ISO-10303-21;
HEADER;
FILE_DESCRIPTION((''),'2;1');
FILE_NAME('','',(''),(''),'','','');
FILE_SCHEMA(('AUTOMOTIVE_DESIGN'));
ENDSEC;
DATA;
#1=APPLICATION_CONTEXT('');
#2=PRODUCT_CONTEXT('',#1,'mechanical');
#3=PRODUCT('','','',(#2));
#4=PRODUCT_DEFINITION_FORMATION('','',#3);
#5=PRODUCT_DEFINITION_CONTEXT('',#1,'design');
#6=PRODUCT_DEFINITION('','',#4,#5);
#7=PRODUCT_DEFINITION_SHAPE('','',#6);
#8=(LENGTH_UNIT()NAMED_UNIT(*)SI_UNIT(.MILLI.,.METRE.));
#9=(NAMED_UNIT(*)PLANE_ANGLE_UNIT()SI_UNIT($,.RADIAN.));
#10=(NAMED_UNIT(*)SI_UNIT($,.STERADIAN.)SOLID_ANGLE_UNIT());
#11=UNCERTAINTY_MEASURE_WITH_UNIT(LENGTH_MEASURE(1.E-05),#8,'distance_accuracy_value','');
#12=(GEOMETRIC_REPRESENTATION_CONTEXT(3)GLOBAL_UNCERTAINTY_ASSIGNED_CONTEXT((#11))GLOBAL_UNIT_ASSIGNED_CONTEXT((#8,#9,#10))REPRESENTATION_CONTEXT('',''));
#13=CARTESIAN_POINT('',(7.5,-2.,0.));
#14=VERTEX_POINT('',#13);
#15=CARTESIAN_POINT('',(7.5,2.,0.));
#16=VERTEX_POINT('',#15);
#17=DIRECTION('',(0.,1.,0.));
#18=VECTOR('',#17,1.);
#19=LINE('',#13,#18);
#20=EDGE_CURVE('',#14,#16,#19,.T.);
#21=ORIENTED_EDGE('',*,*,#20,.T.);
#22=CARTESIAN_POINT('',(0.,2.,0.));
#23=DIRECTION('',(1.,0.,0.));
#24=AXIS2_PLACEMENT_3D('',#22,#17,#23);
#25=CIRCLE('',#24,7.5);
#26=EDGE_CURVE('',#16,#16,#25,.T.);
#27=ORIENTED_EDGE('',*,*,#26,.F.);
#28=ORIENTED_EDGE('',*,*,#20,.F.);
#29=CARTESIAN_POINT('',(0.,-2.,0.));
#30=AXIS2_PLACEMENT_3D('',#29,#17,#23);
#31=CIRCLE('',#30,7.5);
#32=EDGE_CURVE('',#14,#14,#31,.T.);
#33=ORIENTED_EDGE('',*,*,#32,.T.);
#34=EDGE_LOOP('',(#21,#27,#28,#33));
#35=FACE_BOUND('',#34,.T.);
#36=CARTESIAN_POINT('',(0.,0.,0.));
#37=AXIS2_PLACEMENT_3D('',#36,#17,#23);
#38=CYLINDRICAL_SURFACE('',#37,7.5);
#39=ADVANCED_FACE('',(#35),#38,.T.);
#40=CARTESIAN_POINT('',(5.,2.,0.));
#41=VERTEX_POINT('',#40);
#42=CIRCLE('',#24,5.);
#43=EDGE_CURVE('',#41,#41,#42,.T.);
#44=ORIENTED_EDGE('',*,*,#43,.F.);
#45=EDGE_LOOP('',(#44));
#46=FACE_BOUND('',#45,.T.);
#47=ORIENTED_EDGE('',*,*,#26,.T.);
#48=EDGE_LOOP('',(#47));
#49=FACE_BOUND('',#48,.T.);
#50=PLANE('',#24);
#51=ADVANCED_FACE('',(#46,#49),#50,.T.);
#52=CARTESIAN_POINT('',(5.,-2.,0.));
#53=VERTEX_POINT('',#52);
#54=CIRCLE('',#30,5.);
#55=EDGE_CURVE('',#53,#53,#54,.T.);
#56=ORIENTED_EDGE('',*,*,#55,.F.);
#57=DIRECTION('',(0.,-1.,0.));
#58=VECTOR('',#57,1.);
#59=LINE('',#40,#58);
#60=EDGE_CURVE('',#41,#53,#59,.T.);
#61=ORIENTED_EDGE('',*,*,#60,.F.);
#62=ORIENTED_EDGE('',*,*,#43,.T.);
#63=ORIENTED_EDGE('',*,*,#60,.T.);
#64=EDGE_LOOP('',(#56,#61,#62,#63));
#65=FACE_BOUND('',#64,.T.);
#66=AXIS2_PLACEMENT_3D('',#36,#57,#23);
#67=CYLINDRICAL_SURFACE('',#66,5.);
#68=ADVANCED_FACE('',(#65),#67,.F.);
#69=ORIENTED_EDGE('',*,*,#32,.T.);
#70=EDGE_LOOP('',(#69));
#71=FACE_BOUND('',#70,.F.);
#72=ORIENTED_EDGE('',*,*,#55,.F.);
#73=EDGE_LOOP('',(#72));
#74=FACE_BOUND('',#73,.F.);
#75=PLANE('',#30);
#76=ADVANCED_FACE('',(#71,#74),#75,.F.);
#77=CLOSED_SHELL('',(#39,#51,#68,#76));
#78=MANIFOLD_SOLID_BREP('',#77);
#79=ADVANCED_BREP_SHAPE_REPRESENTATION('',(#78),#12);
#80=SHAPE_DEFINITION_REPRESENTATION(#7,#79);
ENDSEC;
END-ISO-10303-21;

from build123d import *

# Parameters (mm, degrees)
SKETCH1_R           = 7.5
SKETCH1_R_2         = 5
BOSS_EXTRUDE1_DEPTH = 2


with BuildPart() as part:
    # Sketch1 → Boss-Extrude1 (new body, symmetric)
    with BuildSketch(Plane(origin=(0, 0, 0), x_dir=(1, 0, 0), z_dir=(0, 1, 0))):
        Circle(SKETCH1_R)
        Circle(SKETCH1_R_2, mode=Mode.SUBTRACT)
    extrude(amount=BOSS_EXTRUDE1_DEPTH, both=True)


solid = part.part
